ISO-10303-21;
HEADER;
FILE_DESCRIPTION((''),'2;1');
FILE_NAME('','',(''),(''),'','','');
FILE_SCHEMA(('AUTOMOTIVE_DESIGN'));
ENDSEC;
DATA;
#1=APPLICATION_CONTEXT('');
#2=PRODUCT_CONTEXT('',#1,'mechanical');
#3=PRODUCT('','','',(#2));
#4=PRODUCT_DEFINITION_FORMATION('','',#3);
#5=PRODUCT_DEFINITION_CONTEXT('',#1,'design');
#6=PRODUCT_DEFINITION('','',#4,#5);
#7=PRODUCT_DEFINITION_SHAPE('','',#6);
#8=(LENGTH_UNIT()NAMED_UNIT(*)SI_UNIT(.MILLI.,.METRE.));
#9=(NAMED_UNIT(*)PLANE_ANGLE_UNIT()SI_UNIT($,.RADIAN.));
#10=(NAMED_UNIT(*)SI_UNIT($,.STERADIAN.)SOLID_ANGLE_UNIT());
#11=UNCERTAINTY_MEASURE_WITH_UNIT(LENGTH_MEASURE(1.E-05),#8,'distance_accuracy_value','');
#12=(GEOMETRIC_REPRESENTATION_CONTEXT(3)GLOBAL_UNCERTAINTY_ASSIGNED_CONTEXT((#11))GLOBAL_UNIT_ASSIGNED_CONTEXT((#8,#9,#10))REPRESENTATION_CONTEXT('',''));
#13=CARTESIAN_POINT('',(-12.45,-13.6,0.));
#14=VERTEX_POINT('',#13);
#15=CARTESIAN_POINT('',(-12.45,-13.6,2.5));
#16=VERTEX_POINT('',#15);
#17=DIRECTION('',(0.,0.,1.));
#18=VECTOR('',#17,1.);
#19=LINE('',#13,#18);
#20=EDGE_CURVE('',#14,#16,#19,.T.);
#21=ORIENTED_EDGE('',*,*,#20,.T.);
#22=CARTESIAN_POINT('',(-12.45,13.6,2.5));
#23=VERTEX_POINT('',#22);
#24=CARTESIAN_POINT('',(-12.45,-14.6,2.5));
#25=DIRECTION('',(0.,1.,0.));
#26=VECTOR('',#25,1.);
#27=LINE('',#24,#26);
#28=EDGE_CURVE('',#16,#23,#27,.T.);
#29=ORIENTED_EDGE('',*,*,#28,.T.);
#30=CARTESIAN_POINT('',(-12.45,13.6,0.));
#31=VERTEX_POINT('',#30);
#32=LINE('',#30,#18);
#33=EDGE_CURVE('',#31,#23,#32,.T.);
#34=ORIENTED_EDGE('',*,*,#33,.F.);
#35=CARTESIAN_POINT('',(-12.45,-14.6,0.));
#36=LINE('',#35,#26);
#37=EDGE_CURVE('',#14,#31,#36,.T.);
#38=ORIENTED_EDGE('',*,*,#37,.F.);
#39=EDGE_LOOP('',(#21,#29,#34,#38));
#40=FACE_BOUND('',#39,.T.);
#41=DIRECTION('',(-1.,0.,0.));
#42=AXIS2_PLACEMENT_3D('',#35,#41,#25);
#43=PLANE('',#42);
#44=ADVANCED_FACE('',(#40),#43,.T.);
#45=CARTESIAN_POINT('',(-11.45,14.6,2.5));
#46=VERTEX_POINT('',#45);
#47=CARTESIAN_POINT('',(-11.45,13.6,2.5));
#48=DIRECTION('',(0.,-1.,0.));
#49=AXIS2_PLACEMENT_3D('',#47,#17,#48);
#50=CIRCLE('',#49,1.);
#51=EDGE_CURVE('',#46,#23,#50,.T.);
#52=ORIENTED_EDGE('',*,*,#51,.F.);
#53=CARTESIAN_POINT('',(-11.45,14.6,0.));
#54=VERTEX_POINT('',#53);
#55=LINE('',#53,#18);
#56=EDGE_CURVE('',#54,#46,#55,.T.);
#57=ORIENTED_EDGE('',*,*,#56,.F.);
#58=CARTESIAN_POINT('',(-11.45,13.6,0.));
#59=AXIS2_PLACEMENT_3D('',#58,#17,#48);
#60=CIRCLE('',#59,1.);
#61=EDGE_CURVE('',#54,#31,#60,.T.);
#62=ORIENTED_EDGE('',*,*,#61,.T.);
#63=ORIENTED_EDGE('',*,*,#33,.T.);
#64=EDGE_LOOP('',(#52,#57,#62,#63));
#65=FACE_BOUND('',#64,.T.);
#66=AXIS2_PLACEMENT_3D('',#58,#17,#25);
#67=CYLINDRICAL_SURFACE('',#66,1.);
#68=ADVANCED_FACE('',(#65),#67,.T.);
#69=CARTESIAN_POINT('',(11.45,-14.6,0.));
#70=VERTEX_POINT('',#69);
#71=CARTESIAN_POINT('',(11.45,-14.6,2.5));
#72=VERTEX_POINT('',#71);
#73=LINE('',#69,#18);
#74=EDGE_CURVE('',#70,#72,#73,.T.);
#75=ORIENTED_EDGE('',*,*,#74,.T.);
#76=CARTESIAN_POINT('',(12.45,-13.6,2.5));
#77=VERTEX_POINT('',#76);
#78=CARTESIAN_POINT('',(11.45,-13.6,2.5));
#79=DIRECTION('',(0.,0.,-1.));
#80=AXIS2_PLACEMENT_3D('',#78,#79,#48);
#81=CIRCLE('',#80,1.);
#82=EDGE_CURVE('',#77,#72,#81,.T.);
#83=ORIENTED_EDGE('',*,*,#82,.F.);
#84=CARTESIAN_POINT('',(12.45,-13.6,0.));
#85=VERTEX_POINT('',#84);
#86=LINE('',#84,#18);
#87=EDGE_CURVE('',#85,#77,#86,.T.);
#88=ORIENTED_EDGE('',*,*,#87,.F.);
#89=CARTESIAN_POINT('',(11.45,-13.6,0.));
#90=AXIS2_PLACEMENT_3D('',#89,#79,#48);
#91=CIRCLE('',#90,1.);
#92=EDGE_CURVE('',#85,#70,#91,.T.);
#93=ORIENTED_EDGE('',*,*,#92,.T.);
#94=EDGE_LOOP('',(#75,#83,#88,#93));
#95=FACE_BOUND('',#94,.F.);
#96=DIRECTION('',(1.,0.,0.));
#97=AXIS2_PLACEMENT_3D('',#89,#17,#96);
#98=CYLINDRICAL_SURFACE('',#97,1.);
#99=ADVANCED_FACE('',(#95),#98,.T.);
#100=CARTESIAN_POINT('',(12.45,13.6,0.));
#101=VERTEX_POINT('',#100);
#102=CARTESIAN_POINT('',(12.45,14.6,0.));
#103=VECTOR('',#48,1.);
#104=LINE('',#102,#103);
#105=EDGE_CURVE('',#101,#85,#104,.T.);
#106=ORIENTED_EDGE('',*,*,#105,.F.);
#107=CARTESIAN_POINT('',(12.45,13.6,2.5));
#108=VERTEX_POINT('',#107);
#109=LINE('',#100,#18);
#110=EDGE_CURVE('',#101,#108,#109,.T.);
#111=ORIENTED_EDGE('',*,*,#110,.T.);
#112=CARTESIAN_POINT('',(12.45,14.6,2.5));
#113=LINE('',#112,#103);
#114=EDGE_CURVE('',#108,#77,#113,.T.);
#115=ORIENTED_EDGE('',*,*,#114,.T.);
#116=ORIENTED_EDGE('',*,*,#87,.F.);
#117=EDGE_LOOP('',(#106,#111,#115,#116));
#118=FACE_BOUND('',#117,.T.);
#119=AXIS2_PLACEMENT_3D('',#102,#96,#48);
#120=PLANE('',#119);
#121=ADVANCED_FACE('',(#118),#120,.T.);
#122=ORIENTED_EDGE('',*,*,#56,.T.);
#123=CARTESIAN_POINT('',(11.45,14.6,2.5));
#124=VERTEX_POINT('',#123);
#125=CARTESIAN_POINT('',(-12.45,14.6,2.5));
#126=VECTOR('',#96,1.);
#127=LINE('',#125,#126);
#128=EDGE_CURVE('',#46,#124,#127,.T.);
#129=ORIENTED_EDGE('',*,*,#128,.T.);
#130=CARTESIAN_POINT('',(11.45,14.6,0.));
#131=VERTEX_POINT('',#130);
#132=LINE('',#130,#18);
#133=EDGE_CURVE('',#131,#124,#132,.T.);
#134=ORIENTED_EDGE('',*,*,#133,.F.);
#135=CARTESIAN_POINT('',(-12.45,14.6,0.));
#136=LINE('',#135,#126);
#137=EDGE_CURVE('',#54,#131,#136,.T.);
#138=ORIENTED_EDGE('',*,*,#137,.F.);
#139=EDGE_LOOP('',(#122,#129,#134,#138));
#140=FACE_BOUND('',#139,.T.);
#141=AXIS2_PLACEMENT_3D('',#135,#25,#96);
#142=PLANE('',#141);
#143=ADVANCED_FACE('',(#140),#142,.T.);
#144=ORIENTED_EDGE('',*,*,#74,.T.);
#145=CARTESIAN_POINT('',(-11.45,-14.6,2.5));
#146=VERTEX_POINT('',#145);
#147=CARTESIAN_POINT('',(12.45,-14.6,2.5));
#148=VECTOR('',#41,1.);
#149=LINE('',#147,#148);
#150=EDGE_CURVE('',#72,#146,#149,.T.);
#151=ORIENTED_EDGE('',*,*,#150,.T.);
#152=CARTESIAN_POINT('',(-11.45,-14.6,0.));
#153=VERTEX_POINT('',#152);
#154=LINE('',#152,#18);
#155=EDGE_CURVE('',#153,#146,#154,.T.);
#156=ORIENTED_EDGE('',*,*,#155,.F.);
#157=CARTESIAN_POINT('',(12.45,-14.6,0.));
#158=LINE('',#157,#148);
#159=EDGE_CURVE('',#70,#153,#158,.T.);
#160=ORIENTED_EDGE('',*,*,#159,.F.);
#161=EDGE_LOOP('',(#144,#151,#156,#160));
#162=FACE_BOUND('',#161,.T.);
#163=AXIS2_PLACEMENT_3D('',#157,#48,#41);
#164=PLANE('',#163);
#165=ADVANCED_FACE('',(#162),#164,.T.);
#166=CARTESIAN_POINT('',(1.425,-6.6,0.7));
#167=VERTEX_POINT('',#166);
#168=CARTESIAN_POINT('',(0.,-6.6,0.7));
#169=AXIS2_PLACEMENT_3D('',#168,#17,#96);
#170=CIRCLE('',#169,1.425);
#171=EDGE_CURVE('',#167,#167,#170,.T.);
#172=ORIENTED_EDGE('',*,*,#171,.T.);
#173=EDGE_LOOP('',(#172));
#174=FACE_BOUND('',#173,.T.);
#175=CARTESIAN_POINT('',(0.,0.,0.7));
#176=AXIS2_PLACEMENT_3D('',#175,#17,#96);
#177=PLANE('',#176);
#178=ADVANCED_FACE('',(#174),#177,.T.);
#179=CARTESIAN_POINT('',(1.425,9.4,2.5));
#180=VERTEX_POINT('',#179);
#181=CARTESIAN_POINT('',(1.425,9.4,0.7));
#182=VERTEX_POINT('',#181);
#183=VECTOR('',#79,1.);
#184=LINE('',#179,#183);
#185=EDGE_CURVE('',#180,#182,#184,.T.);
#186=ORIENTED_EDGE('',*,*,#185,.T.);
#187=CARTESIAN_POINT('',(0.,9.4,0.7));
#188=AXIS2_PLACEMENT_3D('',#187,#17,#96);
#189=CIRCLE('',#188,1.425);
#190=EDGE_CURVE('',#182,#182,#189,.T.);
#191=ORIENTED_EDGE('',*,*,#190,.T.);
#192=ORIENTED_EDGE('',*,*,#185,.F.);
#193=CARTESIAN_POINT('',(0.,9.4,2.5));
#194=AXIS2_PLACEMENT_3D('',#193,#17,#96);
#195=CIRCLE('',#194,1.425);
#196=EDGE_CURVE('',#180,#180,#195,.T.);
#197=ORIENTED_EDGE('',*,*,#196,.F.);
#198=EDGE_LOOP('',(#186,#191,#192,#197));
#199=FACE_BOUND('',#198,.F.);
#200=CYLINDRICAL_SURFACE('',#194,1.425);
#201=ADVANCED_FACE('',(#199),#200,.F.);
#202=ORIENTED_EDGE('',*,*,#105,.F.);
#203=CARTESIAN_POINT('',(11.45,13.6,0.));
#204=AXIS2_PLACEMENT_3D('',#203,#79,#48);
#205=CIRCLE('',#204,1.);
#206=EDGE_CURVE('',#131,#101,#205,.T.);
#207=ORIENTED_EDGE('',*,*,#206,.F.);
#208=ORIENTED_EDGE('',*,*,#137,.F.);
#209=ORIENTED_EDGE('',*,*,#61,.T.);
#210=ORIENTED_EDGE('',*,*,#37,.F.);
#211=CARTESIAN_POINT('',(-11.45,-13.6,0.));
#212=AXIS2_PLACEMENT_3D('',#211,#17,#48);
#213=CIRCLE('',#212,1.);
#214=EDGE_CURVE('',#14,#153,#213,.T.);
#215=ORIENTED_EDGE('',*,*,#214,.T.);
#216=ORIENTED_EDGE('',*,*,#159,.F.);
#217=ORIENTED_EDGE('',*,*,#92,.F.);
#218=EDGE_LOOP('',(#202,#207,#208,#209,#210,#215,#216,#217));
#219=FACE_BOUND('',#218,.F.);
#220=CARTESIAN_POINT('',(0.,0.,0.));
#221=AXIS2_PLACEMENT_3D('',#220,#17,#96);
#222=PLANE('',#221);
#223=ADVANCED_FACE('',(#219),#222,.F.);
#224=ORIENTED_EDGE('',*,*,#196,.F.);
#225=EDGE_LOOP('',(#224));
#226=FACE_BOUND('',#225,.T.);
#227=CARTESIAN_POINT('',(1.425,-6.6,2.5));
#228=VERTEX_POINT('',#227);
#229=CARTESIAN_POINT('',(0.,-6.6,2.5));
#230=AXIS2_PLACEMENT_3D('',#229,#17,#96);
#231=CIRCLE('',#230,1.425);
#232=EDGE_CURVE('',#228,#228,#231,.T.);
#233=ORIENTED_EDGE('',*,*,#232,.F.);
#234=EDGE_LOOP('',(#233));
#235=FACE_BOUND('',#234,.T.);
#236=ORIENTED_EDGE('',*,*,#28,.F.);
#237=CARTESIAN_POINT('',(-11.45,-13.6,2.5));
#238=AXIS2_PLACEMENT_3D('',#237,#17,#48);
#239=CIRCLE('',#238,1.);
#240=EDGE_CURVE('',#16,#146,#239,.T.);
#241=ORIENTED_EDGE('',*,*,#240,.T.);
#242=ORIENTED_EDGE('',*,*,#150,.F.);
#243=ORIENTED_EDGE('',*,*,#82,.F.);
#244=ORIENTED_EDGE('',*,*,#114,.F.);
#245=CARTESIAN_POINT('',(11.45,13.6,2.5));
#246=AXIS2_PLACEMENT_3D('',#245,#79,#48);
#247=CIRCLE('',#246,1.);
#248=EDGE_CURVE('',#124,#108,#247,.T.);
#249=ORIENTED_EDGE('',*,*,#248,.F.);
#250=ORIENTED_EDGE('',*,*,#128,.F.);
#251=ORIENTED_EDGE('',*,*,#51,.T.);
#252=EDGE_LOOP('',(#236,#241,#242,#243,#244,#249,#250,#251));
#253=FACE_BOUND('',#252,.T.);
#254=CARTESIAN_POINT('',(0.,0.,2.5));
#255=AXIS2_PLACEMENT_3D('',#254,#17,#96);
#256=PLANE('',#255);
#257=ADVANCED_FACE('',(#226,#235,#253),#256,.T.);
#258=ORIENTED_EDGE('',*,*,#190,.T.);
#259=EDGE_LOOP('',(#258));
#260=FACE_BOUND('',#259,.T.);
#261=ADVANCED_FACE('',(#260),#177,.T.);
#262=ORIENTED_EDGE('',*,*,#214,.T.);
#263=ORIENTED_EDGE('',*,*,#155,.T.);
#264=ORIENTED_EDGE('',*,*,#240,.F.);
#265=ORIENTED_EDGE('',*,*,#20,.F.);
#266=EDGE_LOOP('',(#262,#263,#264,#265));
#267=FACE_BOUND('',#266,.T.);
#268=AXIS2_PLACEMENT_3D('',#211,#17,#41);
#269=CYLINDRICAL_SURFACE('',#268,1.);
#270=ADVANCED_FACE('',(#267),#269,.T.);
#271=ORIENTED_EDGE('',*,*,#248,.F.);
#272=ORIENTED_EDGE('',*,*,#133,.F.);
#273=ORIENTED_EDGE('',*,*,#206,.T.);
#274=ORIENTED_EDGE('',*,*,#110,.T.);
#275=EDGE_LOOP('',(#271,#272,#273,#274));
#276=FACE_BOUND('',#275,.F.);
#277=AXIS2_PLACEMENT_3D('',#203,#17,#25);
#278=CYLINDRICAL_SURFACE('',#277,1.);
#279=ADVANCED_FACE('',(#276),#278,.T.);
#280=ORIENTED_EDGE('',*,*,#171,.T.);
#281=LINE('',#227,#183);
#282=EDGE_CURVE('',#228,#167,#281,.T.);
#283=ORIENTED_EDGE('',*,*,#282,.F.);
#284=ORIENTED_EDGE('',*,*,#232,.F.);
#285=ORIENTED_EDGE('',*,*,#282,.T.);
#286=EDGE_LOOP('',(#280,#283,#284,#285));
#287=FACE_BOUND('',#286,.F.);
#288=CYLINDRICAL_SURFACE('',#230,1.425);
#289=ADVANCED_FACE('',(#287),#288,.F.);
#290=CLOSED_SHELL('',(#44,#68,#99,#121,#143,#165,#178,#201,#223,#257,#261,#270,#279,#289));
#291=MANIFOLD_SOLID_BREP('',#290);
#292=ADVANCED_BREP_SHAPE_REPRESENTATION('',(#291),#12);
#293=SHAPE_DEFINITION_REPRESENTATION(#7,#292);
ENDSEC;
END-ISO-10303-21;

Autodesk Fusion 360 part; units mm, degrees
sketch "Sketch1" plane through (0, 0, 0) normal (0, 0, 1) x (1, 0, 0)
  line L0 (-12.45, 14.6) -> (12.45, 14.6)
  line L1 (12.45, 14.6) -> (12.45, -14.6)
  line L2 (12.45, -14.6) -> (-12.45, -14.6)
  line L3 (-12.45, -14.6) -> (-12.45, 14.6)
  line L4 (-12.45, -14.6) -> (12.45, 14.6) construction
  circle A0 centre (0, -6.6) radius 1.425
  circle A1 centre (0, -6.6) radius 2.75
  line L5 (0, 14.6) -> (0, -14.6) construction
  circle A2 centre (0, 9.4) radius 1.425
  circle A3 centre (0, 9.4) radius 2.75
  dimension "d1" = 24.9
  dimension "d2" = 29.2
  dimension "d92" = 2.85
  dimension "d98" = 5.5
  dimension "d141" = 8
  dimension "d142" = 16
extrude "Extrude1" add sketch "Sketch1" along normal blind 2.5 contours L0 L1 L2 L3 | A0 | A1 | A2 | A3
extrude "Extrude2" cut sketch "Sketch1" against normal blind 1.8 from surface at 2.5 contours A0 | A2
fillet "Fillet1" radius 1 4 edges at (-12.45, 14.6, 1.25) (12.45, 14.6, 1.25) (-12.45, -14.6, 1.25) (12.45, -14.6, 1.25)
